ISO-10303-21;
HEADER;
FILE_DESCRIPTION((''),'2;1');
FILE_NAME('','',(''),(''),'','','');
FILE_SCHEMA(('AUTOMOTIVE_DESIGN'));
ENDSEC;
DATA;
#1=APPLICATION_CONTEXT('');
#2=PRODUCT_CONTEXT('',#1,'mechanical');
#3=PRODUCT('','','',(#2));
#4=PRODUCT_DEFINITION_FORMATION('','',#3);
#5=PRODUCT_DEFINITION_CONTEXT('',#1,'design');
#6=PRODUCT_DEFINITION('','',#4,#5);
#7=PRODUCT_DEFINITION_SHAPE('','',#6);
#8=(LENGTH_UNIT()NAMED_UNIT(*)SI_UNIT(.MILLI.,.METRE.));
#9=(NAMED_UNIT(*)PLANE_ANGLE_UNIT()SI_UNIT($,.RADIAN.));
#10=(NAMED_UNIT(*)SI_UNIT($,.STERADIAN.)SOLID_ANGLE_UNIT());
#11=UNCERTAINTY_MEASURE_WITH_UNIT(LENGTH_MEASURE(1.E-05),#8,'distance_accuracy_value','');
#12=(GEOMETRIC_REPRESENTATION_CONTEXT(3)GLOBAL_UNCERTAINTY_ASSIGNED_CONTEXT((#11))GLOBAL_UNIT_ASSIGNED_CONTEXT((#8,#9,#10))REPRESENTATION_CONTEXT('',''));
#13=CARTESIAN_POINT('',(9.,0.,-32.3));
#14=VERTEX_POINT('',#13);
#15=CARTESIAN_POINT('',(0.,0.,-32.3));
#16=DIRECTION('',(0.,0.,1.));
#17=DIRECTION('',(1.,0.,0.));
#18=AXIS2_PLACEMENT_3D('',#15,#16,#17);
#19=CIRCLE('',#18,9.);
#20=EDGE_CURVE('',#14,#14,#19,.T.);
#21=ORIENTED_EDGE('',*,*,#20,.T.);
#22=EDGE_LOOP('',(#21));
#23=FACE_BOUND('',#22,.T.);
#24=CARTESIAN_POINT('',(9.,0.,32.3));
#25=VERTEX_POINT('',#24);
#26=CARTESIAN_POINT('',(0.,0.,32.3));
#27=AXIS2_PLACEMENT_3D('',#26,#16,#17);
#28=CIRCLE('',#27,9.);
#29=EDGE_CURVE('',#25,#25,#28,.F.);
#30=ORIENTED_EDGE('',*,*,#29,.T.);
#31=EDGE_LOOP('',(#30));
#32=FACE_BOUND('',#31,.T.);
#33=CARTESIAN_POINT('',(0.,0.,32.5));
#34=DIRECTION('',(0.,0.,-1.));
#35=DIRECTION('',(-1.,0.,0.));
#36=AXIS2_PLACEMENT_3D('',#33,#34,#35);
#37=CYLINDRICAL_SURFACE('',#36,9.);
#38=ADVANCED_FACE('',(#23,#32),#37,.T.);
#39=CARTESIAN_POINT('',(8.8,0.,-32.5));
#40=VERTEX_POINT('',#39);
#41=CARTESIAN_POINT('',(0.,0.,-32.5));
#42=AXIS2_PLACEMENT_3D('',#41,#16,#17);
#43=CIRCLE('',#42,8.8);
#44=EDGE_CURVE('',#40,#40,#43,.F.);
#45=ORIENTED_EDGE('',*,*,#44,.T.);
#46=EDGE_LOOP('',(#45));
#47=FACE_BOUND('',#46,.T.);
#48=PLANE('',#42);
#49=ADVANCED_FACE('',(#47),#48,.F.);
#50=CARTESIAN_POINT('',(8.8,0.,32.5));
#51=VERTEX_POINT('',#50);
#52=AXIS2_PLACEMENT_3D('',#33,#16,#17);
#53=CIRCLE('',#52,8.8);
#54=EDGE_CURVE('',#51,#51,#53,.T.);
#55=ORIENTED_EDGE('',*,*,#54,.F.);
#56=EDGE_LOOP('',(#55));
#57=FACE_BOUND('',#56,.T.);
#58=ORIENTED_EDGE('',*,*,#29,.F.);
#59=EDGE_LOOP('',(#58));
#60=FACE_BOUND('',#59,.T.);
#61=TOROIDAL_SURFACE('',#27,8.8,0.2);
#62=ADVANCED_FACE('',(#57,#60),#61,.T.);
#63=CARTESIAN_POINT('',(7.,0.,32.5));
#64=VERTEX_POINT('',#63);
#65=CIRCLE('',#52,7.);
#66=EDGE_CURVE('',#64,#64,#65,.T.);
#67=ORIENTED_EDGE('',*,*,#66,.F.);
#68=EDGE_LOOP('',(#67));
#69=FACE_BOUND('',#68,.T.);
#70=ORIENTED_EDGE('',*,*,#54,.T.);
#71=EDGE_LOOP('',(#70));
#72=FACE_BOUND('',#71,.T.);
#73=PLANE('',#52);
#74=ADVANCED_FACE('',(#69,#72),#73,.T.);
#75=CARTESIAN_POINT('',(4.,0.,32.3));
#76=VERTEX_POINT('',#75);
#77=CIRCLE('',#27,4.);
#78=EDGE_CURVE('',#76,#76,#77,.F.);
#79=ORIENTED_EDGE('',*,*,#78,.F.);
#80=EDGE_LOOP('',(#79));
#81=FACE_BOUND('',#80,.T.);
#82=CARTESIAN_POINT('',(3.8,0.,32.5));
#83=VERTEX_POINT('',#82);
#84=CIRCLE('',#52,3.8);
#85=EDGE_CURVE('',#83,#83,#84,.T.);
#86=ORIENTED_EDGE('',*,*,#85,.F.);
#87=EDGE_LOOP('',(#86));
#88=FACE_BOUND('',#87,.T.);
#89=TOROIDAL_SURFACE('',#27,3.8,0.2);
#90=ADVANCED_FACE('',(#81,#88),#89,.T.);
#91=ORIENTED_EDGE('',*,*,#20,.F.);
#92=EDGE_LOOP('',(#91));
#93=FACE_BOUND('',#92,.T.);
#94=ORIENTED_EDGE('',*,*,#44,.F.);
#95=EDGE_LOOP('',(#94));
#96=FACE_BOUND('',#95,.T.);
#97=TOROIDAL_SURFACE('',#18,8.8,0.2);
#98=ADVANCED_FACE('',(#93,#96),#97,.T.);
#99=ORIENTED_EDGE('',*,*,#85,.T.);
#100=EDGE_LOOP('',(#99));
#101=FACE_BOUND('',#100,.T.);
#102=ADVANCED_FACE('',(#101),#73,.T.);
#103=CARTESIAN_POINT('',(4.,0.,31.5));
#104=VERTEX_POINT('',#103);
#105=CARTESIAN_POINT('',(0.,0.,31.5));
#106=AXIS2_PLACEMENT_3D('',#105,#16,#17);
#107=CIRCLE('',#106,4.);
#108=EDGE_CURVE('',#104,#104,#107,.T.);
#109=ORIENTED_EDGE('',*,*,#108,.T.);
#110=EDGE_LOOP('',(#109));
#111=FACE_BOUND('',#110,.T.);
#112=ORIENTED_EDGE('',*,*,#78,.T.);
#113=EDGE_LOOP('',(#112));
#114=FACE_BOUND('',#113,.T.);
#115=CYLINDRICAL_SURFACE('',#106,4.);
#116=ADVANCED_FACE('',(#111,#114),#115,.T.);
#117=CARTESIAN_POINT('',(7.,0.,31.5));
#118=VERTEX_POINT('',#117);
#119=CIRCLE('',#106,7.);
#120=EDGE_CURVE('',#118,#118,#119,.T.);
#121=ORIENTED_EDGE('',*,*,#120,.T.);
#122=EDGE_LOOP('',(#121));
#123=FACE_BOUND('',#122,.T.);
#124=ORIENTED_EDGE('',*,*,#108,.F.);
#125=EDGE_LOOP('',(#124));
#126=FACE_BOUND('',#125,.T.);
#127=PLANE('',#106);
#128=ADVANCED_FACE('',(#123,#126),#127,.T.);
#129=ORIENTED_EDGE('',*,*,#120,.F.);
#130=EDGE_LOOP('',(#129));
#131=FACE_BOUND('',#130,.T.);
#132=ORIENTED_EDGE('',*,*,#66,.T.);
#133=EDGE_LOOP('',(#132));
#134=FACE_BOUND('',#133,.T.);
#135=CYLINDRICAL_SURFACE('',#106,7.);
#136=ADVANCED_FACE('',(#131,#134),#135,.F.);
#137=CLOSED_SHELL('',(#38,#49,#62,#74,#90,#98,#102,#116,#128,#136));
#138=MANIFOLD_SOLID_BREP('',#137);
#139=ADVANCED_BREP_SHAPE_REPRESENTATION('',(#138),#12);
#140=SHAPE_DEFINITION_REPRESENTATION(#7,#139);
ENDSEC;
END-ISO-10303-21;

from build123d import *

# Parameters (mm, degrees)
SKETCH1_R           = 9
BOSS_EXTRUDE1_DEPTH = 32.5
SKETCH2_R           = 7
SKETCH2_R_2         = 4
CUT_EXTRUDE1_DEPTH  = 1
FILLET1_R           = 0.2


with BuildPart() as part:
    # Sketch1 → Boss-Extrude1 (new, symmetric)
    with BuildSketch(Plane.XY):
        Circle(SKETCH1_R)
    extrude(amount=BOSS_EXTRUDE1_DEPTH, both=True)

    # Sketch2 → Cut-Extrude1 (cut)
    with BuildSketch(Plane.XY.offset(32.5)):
        Circle(SKETCH2_R)
        Circle(SKETCH2_R_2, mode=Mode.SUBTRACT)
    extrude(amount=-CUT_EXTRUDE1_DEPTH, mode=Mode.SUBTRACT)

    # Fillet1
    fillet1_edges = [part.edges().sort_by_distance(p)[0] for p in [
        (-4, 0, 32.5),
        (-9, 0, -32.5),
        (-9, 0, 32.5),
    ]]
    fillet(fillet1_edges, radius=FILLET1_R)


solid = part.part
